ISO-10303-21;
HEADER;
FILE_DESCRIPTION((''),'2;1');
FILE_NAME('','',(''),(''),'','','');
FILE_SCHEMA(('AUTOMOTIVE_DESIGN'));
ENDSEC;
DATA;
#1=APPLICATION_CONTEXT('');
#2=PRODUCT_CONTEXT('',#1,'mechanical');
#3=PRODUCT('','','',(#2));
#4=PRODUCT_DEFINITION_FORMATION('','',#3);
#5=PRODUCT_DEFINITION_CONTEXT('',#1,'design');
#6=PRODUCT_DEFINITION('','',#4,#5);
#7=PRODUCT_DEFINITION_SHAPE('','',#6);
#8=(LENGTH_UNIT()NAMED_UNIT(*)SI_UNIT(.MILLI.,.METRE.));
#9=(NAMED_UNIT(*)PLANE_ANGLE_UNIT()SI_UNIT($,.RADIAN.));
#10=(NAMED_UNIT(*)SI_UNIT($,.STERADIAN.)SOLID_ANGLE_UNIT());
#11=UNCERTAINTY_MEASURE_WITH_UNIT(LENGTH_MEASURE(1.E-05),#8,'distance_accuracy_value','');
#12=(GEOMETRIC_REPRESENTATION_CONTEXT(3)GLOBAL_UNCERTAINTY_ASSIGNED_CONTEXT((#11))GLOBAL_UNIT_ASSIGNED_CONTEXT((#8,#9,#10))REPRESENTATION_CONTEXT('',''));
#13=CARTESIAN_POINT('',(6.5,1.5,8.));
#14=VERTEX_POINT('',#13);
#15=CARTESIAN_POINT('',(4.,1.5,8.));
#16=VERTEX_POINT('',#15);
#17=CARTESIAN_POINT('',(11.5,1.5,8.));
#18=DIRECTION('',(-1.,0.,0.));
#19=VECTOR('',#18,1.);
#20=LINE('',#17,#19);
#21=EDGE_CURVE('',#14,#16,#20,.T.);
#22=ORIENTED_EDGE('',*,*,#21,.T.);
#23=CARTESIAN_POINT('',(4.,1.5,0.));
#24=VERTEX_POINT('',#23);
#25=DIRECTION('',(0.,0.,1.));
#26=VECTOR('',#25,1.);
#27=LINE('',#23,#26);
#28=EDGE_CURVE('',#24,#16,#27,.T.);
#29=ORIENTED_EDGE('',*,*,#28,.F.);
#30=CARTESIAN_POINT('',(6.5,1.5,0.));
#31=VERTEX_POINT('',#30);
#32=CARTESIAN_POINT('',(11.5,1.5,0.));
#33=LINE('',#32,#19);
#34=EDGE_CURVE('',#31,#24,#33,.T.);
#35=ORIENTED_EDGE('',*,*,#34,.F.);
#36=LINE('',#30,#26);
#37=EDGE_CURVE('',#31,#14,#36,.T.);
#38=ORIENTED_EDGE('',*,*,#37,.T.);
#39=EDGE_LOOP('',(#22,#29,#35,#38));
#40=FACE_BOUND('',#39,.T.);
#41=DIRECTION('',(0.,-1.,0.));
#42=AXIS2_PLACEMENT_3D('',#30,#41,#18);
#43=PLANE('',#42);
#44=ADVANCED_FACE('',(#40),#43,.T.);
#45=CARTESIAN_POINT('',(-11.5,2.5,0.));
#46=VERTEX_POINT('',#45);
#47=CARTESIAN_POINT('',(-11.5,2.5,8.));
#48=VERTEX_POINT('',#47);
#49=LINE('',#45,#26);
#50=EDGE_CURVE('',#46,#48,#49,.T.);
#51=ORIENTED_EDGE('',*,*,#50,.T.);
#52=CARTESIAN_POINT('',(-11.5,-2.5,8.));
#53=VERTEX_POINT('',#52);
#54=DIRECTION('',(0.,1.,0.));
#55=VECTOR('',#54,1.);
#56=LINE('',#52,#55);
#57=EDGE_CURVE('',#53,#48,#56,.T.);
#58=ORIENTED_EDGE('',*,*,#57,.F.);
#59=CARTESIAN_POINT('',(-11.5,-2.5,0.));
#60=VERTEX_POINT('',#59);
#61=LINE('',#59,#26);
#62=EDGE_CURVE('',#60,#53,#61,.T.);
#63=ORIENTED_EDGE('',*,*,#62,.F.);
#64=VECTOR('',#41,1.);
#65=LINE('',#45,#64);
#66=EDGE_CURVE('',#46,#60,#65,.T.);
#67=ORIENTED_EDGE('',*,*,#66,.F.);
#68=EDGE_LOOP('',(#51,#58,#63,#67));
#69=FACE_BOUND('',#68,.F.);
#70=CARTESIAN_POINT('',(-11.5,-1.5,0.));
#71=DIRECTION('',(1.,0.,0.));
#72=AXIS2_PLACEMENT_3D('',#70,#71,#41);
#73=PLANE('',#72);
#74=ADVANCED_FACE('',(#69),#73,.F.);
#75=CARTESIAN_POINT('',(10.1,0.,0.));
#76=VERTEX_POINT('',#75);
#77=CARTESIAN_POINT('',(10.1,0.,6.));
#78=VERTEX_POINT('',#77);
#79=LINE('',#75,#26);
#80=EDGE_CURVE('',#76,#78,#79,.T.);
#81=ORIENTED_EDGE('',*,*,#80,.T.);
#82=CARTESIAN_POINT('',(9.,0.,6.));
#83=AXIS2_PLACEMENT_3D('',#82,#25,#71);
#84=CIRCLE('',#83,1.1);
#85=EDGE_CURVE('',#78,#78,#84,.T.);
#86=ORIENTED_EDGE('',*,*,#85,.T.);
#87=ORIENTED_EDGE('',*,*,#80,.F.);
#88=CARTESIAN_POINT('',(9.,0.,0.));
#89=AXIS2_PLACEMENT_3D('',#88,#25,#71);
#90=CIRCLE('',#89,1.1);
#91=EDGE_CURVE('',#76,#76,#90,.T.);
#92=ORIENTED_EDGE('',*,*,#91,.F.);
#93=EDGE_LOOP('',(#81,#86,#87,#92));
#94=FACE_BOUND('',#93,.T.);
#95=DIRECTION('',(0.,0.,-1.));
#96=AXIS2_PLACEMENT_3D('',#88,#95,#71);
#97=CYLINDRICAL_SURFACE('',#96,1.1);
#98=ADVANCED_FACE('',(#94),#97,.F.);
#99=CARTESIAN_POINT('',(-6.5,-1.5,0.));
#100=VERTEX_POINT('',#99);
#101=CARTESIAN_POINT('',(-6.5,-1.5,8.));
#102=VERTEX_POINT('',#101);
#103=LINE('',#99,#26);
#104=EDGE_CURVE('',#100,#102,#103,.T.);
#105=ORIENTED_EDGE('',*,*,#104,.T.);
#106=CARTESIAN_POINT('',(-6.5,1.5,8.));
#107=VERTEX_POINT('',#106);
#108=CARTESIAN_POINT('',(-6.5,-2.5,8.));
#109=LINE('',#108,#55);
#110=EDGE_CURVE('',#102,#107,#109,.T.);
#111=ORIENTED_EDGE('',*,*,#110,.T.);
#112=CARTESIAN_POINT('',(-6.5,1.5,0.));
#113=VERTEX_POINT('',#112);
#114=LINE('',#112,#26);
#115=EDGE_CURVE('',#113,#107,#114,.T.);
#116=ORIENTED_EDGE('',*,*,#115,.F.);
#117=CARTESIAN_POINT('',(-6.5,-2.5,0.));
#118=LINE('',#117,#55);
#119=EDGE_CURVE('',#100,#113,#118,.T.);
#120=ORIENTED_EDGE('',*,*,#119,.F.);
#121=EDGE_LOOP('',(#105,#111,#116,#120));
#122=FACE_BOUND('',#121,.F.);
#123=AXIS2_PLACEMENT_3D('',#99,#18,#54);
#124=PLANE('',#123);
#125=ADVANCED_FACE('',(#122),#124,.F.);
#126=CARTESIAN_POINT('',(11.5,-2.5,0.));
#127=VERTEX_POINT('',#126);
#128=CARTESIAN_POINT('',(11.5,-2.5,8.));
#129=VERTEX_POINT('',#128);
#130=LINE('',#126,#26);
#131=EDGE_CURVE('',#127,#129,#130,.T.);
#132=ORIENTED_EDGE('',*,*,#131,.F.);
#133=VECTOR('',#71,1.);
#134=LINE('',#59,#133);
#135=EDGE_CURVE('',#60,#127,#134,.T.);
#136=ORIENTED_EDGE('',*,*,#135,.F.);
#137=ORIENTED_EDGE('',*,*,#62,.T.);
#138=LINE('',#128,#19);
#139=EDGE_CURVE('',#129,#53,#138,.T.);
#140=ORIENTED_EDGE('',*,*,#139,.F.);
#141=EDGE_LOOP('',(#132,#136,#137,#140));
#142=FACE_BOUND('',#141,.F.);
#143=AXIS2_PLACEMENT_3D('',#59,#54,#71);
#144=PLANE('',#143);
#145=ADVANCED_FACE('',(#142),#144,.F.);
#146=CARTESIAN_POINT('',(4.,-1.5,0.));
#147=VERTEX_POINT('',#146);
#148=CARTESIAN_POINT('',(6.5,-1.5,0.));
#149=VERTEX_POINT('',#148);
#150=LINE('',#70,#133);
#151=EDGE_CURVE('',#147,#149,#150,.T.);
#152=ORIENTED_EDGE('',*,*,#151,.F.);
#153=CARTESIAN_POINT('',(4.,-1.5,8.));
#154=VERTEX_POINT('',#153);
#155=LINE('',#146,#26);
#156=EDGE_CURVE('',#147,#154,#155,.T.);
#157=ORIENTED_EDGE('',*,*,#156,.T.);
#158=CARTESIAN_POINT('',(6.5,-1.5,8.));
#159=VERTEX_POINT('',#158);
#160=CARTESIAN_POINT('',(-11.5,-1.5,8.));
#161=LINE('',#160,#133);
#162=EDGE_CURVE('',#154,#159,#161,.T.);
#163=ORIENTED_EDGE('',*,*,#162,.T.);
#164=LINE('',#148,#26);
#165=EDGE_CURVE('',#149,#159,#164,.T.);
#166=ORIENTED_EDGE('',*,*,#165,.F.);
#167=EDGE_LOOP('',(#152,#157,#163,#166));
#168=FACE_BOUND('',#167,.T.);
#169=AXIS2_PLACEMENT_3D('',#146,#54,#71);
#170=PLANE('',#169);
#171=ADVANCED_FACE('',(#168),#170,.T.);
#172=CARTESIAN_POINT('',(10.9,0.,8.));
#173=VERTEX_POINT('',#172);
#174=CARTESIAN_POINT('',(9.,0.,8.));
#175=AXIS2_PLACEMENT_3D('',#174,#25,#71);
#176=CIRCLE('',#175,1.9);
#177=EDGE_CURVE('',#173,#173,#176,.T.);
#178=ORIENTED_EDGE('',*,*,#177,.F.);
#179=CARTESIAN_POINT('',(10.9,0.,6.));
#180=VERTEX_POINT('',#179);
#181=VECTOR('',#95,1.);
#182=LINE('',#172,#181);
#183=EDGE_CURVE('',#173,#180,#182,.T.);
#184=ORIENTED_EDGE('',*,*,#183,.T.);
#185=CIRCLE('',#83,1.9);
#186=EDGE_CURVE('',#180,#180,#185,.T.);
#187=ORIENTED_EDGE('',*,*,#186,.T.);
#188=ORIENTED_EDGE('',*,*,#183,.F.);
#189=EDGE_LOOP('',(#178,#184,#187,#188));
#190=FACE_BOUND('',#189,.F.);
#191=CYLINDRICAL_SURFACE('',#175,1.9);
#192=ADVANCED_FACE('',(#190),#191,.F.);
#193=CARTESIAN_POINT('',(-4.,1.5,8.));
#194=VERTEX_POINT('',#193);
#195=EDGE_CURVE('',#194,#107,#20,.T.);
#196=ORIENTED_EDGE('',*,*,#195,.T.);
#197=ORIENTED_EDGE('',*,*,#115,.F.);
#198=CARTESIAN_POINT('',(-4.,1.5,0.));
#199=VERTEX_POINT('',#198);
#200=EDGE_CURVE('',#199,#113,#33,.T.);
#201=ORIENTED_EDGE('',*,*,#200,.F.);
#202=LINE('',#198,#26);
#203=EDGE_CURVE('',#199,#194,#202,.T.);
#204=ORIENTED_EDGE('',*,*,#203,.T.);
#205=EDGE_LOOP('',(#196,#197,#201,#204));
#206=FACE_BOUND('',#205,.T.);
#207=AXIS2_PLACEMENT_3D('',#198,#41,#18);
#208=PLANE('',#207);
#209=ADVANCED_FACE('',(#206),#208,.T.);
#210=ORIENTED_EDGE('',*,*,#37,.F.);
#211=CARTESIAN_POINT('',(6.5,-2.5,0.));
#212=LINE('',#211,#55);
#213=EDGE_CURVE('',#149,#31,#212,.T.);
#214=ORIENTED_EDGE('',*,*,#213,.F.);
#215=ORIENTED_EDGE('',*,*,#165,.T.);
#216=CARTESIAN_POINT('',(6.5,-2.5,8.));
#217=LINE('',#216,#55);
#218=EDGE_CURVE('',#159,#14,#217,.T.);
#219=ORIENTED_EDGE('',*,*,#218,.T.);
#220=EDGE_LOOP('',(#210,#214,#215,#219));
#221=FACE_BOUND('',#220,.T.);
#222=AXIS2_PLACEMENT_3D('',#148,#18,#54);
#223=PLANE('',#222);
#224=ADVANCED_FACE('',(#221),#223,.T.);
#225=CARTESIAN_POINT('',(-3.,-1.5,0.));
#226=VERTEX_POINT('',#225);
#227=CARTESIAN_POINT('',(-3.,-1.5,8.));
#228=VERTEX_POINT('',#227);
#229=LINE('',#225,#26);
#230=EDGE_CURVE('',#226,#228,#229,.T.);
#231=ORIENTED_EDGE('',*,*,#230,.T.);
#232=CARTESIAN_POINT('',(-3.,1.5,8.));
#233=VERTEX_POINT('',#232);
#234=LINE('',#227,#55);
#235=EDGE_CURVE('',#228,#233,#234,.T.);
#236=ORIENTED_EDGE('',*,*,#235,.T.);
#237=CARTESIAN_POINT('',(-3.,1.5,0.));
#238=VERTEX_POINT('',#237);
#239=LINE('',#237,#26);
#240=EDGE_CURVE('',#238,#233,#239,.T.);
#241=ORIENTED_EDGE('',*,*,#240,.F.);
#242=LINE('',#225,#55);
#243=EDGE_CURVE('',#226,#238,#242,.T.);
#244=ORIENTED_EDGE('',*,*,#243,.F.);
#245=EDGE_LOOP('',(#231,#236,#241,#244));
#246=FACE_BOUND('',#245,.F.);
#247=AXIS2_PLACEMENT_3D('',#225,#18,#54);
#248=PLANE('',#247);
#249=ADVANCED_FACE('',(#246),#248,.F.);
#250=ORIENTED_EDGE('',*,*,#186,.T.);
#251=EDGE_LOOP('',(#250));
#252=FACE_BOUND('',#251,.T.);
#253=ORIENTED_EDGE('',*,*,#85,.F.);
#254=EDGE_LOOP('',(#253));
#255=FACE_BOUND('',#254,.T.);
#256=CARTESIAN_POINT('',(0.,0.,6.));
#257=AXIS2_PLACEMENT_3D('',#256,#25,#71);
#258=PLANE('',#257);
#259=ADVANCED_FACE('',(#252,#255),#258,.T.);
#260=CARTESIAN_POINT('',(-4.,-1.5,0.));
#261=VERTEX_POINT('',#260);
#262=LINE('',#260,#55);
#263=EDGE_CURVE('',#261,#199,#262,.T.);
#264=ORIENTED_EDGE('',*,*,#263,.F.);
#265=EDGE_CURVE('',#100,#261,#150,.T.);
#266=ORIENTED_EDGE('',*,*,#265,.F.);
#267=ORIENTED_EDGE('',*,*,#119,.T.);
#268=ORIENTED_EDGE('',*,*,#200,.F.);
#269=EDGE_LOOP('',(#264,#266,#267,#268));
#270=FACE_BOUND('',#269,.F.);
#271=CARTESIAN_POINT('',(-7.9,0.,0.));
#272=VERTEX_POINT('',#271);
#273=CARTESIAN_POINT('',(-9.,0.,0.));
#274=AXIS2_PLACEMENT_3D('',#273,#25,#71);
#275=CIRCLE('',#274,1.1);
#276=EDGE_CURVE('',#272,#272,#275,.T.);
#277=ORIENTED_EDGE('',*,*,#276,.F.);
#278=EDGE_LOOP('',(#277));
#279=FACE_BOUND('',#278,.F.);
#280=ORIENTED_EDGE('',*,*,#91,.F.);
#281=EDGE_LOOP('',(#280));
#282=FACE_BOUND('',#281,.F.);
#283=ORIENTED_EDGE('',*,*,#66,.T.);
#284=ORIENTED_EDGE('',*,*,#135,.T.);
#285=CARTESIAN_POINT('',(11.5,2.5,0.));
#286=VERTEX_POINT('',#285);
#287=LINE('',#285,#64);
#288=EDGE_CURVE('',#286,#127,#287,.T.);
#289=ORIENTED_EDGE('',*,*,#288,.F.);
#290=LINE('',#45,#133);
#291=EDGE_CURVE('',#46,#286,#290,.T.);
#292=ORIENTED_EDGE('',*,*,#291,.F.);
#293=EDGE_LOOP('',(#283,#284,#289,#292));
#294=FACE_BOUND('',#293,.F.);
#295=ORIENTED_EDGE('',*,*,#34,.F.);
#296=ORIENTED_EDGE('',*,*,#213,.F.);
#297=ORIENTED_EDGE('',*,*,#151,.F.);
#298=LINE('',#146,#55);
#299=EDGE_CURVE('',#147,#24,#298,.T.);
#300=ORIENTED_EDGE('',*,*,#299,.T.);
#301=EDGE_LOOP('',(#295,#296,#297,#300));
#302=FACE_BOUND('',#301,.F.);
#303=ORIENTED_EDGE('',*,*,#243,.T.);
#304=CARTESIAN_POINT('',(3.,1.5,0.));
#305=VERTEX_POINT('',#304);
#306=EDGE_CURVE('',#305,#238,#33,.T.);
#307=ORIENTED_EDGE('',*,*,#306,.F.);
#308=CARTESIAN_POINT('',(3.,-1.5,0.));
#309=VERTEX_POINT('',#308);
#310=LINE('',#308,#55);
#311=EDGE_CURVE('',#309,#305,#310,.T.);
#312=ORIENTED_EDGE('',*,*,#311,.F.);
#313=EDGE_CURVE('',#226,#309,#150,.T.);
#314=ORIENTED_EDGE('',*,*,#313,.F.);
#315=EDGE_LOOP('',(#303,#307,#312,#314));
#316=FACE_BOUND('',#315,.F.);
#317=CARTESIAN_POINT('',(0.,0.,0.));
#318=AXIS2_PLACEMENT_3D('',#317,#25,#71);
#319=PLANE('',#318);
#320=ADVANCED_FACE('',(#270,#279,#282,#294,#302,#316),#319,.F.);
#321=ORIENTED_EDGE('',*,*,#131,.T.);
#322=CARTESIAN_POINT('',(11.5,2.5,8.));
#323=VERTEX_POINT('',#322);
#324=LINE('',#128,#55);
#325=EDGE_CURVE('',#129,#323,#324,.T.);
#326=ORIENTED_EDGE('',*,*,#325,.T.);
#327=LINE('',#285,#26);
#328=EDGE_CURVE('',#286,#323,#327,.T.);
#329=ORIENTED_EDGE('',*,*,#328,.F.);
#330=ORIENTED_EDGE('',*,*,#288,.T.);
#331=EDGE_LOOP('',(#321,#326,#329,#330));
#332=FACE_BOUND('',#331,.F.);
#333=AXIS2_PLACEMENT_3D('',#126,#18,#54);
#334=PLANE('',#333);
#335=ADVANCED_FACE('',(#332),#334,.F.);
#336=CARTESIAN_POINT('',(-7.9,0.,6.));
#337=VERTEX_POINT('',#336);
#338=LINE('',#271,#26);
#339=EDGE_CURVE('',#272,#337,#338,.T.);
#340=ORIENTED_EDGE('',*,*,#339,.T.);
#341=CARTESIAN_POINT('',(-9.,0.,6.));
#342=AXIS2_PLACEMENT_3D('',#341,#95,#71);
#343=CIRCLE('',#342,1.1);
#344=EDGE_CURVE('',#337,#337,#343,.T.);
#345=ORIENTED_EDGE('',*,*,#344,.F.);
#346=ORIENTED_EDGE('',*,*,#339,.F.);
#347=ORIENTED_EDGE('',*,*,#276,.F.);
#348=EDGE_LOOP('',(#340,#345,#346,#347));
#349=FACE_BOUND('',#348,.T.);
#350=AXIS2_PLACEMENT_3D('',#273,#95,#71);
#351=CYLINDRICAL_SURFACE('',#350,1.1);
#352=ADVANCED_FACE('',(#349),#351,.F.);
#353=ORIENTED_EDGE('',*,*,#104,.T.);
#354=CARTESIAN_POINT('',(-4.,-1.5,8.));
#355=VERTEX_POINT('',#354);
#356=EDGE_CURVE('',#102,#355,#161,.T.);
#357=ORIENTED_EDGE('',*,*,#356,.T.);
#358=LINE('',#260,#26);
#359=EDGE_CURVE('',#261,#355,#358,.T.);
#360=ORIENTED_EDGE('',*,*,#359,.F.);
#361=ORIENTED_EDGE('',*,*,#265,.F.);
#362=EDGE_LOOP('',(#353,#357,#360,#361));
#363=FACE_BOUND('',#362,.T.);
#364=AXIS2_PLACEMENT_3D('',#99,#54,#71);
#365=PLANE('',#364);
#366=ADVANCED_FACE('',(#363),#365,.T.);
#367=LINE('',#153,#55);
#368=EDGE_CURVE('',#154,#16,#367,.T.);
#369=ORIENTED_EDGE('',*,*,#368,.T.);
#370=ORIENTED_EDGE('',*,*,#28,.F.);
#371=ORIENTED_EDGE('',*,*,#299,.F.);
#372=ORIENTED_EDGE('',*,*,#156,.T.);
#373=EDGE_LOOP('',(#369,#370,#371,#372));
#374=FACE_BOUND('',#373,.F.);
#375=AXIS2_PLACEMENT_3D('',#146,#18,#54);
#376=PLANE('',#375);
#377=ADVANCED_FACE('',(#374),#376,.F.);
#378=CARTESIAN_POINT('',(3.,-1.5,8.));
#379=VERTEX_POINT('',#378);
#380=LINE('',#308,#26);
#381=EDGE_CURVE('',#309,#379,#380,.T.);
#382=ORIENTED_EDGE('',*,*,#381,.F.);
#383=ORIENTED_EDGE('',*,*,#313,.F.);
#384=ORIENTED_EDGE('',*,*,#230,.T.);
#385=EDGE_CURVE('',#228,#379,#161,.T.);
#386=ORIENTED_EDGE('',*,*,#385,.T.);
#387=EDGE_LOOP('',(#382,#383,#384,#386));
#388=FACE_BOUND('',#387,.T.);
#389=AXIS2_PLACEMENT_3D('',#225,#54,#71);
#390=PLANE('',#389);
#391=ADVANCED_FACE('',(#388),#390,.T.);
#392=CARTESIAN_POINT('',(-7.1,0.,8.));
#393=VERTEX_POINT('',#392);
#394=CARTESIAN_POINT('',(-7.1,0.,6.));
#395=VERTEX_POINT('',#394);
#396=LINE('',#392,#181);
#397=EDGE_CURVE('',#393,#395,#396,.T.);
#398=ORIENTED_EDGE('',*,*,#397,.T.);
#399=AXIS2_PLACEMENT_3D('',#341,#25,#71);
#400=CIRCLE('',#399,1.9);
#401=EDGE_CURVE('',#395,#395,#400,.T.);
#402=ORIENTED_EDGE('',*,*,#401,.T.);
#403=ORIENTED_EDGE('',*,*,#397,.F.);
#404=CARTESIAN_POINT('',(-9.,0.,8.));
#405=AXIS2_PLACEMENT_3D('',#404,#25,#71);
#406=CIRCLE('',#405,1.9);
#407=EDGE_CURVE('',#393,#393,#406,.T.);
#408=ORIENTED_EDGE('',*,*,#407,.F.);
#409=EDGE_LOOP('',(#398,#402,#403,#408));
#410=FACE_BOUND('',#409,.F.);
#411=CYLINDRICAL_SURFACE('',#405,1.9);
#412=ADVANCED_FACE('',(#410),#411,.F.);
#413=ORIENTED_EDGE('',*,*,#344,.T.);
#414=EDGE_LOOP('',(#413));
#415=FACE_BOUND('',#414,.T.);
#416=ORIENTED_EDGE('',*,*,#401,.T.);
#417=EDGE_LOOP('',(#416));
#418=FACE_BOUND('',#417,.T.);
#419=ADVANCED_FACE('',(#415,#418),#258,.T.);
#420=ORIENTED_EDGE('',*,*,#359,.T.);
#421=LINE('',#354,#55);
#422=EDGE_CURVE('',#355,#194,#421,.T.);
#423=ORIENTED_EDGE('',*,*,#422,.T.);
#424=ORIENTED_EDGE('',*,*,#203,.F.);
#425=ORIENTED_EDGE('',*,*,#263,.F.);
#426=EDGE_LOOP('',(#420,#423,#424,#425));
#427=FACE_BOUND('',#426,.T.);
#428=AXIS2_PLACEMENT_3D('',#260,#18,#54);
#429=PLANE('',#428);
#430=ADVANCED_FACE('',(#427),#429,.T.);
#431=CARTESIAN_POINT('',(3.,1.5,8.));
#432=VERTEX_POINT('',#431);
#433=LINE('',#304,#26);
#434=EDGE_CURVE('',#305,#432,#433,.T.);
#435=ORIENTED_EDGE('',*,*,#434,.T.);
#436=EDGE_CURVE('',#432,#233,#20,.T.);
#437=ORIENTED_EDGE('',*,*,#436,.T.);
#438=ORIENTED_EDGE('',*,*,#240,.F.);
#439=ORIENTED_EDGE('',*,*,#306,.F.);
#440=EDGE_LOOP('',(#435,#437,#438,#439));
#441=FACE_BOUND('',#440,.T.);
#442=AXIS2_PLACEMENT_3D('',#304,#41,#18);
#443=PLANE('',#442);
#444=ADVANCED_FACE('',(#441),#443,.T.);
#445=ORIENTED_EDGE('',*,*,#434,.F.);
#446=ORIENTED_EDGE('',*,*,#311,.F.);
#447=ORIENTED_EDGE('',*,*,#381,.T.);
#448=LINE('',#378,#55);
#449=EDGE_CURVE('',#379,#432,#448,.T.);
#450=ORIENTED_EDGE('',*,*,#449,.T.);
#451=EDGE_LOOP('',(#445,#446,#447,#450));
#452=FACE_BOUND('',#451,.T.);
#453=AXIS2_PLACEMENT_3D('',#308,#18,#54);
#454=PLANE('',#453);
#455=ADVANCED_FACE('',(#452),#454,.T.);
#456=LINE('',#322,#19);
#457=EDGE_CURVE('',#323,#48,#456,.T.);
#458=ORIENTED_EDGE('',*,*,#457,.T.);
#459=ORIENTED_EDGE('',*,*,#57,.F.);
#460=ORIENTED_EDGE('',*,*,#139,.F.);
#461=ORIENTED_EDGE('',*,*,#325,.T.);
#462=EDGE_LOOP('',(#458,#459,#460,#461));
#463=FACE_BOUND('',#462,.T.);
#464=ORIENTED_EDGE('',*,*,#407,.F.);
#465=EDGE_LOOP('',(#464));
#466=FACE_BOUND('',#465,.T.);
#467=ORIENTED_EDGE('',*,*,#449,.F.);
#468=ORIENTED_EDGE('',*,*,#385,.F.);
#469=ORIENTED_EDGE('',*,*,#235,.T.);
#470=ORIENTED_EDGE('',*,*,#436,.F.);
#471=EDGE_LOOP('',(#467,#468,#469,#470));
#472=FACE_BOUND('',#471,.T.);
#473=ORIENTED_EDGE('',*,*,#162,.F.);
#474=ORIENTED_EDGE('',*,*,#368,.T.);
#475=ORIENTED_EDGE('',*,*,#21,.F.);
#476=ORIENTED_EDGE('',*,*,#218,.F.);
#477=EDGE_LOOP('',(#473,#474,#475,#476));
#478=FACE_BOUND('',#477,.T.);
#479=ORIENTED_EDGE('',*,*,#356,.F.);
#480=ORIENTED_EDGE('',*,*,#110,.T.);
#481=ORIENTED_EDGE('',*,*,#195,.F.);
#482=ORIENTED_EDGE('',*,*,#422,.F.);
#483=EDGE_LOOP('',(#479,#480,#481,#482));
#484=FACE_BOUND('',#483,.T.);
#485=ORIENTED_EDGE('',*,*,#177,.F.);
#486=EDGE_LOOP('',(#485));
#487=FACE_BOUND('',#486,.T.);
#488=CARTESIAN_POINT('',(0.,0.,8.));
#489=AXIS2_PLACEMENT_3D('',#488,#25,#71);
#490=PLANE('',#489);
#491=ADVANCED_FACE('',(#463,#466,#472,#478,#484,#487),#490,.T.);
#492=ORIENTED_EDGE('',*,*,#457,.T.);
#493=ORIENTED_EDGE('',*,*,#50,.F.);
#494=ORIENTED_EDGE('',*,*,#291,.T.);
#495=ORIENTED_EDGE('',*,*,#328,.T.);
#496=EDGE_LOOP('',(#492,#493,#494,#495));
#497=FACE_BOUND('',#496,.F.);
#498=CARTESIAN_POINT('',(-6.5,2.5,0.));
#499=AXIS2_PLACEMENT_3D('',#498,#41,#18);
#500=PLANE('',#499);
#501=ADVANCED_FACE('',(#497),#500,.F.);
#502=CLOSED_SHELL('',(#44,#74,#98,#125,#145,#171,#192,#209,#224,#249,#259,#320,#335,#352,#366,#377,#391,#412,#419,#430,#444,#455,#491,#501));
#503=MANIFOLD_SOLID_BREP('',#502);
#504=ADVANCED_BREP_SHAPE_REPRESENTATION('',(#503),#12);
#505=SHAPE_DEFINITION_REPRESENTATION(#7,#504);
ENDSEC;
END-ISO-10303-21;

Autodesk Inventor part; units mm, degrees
ref_plane "YZ Plane" through (0, 0, 0) normal (1, 0, 0) x (0, 1, 0)
ref_plane "XZ Plane" through (0, 0, 0) normal (0, 1, 0) x (-1, 0, 0)
ref_plane "XY Plane" through (0, 0, 0) normal (0, 0, 1) x (1, 0, 0)
sketch "スケッチ1" plane through (0, 0, 0) normal (0, 0, 1) x (1, 0, 0)
  line L0 (-11.5, -2.5) -> (11.5, -2.5)
  line L1 (11.5, -2.5) -> (11.5, 2.5)
  line L2 (11.5, 2.5) -> (-11.5, 2.5)
  line L3 (-11.5, 2.5) -> (-11.5, -2.5)
  line L4 (-11.5, -2.5) -> (11.5, 2.5) construction
  line L5 (11.5, -2.5) -> (-11.5, 2.5) construction
  circle A0 centre (9, 0) radius 1.1
  circle A1 centre (-9, 0) radius 1.1
  line L6 (-11.5, -1.5) -> (11.5, -1.5)
  line L7 (11.5, 1.5) -> (-11.5, 1.5)
  line L8 (-6.5, -2.5) -> (-6.5, 2.5)
  line L9 (6.5, -2.5) -> (6.5, 2.5)
  line L10 (-4, -1.5) -> (-4, 1.5)
  line L11 (-3, -1.5) -> (-3, 1.5)
  line L12 (4, -1.5) -> (4, 1.5)
  line L13 (3, -1.5) -> (3, 1.5)
  point P0 (0, 0)
  point P1 (-6.5, -1.5)
  point P2 (-6.5, 1.5)
  point P3 (6.5, -1.5)
  point P4 (6.5, 1.5)
  dimension "d0" = 23
  dimension "d1" = 5
  dimension "d2" = 2.2
  dimension "d3" = 2.2
  dimension "d4" = 5
  dimension "d5" = 5
extrude "押し出し1" add sketch "スケッチ1" along normal blind 8 contours L3 L6 L8 L0 | L8 L6 L9 L0 | L3 L7 L8 L6 | L9 L6 L1 L0 | L3 L2 L8 L7 | L9 L7 L1 L6 | L10 L7 L11 L6 | L8 L2 L9 L7 | L6 L13 L7 L12 | L9 L2 L1 L7
sketch "スケッチ2" plane through (0, 0, 8) normal (0, 0, 1) x (1, 0, 0)
  circle A0 centre (-9, 0) radius 1.1 projected
  circle A1 centre (-9, 0) radius 1.9
  circle A2 centre (9, 0) radius 1.1 projected
  circle A3 centre (9, 0) radius 1.9
  point P0 (0, 0)
  dimension "d8" = 3.8
  dimension "d9" = 3.8
extrude "押し出し2" cut sketch "スケッチ2" against normal blind 2 contours A0 | A1 | A3
properties part number "griper_TPU-2" material "ゴム、シリコーン"
